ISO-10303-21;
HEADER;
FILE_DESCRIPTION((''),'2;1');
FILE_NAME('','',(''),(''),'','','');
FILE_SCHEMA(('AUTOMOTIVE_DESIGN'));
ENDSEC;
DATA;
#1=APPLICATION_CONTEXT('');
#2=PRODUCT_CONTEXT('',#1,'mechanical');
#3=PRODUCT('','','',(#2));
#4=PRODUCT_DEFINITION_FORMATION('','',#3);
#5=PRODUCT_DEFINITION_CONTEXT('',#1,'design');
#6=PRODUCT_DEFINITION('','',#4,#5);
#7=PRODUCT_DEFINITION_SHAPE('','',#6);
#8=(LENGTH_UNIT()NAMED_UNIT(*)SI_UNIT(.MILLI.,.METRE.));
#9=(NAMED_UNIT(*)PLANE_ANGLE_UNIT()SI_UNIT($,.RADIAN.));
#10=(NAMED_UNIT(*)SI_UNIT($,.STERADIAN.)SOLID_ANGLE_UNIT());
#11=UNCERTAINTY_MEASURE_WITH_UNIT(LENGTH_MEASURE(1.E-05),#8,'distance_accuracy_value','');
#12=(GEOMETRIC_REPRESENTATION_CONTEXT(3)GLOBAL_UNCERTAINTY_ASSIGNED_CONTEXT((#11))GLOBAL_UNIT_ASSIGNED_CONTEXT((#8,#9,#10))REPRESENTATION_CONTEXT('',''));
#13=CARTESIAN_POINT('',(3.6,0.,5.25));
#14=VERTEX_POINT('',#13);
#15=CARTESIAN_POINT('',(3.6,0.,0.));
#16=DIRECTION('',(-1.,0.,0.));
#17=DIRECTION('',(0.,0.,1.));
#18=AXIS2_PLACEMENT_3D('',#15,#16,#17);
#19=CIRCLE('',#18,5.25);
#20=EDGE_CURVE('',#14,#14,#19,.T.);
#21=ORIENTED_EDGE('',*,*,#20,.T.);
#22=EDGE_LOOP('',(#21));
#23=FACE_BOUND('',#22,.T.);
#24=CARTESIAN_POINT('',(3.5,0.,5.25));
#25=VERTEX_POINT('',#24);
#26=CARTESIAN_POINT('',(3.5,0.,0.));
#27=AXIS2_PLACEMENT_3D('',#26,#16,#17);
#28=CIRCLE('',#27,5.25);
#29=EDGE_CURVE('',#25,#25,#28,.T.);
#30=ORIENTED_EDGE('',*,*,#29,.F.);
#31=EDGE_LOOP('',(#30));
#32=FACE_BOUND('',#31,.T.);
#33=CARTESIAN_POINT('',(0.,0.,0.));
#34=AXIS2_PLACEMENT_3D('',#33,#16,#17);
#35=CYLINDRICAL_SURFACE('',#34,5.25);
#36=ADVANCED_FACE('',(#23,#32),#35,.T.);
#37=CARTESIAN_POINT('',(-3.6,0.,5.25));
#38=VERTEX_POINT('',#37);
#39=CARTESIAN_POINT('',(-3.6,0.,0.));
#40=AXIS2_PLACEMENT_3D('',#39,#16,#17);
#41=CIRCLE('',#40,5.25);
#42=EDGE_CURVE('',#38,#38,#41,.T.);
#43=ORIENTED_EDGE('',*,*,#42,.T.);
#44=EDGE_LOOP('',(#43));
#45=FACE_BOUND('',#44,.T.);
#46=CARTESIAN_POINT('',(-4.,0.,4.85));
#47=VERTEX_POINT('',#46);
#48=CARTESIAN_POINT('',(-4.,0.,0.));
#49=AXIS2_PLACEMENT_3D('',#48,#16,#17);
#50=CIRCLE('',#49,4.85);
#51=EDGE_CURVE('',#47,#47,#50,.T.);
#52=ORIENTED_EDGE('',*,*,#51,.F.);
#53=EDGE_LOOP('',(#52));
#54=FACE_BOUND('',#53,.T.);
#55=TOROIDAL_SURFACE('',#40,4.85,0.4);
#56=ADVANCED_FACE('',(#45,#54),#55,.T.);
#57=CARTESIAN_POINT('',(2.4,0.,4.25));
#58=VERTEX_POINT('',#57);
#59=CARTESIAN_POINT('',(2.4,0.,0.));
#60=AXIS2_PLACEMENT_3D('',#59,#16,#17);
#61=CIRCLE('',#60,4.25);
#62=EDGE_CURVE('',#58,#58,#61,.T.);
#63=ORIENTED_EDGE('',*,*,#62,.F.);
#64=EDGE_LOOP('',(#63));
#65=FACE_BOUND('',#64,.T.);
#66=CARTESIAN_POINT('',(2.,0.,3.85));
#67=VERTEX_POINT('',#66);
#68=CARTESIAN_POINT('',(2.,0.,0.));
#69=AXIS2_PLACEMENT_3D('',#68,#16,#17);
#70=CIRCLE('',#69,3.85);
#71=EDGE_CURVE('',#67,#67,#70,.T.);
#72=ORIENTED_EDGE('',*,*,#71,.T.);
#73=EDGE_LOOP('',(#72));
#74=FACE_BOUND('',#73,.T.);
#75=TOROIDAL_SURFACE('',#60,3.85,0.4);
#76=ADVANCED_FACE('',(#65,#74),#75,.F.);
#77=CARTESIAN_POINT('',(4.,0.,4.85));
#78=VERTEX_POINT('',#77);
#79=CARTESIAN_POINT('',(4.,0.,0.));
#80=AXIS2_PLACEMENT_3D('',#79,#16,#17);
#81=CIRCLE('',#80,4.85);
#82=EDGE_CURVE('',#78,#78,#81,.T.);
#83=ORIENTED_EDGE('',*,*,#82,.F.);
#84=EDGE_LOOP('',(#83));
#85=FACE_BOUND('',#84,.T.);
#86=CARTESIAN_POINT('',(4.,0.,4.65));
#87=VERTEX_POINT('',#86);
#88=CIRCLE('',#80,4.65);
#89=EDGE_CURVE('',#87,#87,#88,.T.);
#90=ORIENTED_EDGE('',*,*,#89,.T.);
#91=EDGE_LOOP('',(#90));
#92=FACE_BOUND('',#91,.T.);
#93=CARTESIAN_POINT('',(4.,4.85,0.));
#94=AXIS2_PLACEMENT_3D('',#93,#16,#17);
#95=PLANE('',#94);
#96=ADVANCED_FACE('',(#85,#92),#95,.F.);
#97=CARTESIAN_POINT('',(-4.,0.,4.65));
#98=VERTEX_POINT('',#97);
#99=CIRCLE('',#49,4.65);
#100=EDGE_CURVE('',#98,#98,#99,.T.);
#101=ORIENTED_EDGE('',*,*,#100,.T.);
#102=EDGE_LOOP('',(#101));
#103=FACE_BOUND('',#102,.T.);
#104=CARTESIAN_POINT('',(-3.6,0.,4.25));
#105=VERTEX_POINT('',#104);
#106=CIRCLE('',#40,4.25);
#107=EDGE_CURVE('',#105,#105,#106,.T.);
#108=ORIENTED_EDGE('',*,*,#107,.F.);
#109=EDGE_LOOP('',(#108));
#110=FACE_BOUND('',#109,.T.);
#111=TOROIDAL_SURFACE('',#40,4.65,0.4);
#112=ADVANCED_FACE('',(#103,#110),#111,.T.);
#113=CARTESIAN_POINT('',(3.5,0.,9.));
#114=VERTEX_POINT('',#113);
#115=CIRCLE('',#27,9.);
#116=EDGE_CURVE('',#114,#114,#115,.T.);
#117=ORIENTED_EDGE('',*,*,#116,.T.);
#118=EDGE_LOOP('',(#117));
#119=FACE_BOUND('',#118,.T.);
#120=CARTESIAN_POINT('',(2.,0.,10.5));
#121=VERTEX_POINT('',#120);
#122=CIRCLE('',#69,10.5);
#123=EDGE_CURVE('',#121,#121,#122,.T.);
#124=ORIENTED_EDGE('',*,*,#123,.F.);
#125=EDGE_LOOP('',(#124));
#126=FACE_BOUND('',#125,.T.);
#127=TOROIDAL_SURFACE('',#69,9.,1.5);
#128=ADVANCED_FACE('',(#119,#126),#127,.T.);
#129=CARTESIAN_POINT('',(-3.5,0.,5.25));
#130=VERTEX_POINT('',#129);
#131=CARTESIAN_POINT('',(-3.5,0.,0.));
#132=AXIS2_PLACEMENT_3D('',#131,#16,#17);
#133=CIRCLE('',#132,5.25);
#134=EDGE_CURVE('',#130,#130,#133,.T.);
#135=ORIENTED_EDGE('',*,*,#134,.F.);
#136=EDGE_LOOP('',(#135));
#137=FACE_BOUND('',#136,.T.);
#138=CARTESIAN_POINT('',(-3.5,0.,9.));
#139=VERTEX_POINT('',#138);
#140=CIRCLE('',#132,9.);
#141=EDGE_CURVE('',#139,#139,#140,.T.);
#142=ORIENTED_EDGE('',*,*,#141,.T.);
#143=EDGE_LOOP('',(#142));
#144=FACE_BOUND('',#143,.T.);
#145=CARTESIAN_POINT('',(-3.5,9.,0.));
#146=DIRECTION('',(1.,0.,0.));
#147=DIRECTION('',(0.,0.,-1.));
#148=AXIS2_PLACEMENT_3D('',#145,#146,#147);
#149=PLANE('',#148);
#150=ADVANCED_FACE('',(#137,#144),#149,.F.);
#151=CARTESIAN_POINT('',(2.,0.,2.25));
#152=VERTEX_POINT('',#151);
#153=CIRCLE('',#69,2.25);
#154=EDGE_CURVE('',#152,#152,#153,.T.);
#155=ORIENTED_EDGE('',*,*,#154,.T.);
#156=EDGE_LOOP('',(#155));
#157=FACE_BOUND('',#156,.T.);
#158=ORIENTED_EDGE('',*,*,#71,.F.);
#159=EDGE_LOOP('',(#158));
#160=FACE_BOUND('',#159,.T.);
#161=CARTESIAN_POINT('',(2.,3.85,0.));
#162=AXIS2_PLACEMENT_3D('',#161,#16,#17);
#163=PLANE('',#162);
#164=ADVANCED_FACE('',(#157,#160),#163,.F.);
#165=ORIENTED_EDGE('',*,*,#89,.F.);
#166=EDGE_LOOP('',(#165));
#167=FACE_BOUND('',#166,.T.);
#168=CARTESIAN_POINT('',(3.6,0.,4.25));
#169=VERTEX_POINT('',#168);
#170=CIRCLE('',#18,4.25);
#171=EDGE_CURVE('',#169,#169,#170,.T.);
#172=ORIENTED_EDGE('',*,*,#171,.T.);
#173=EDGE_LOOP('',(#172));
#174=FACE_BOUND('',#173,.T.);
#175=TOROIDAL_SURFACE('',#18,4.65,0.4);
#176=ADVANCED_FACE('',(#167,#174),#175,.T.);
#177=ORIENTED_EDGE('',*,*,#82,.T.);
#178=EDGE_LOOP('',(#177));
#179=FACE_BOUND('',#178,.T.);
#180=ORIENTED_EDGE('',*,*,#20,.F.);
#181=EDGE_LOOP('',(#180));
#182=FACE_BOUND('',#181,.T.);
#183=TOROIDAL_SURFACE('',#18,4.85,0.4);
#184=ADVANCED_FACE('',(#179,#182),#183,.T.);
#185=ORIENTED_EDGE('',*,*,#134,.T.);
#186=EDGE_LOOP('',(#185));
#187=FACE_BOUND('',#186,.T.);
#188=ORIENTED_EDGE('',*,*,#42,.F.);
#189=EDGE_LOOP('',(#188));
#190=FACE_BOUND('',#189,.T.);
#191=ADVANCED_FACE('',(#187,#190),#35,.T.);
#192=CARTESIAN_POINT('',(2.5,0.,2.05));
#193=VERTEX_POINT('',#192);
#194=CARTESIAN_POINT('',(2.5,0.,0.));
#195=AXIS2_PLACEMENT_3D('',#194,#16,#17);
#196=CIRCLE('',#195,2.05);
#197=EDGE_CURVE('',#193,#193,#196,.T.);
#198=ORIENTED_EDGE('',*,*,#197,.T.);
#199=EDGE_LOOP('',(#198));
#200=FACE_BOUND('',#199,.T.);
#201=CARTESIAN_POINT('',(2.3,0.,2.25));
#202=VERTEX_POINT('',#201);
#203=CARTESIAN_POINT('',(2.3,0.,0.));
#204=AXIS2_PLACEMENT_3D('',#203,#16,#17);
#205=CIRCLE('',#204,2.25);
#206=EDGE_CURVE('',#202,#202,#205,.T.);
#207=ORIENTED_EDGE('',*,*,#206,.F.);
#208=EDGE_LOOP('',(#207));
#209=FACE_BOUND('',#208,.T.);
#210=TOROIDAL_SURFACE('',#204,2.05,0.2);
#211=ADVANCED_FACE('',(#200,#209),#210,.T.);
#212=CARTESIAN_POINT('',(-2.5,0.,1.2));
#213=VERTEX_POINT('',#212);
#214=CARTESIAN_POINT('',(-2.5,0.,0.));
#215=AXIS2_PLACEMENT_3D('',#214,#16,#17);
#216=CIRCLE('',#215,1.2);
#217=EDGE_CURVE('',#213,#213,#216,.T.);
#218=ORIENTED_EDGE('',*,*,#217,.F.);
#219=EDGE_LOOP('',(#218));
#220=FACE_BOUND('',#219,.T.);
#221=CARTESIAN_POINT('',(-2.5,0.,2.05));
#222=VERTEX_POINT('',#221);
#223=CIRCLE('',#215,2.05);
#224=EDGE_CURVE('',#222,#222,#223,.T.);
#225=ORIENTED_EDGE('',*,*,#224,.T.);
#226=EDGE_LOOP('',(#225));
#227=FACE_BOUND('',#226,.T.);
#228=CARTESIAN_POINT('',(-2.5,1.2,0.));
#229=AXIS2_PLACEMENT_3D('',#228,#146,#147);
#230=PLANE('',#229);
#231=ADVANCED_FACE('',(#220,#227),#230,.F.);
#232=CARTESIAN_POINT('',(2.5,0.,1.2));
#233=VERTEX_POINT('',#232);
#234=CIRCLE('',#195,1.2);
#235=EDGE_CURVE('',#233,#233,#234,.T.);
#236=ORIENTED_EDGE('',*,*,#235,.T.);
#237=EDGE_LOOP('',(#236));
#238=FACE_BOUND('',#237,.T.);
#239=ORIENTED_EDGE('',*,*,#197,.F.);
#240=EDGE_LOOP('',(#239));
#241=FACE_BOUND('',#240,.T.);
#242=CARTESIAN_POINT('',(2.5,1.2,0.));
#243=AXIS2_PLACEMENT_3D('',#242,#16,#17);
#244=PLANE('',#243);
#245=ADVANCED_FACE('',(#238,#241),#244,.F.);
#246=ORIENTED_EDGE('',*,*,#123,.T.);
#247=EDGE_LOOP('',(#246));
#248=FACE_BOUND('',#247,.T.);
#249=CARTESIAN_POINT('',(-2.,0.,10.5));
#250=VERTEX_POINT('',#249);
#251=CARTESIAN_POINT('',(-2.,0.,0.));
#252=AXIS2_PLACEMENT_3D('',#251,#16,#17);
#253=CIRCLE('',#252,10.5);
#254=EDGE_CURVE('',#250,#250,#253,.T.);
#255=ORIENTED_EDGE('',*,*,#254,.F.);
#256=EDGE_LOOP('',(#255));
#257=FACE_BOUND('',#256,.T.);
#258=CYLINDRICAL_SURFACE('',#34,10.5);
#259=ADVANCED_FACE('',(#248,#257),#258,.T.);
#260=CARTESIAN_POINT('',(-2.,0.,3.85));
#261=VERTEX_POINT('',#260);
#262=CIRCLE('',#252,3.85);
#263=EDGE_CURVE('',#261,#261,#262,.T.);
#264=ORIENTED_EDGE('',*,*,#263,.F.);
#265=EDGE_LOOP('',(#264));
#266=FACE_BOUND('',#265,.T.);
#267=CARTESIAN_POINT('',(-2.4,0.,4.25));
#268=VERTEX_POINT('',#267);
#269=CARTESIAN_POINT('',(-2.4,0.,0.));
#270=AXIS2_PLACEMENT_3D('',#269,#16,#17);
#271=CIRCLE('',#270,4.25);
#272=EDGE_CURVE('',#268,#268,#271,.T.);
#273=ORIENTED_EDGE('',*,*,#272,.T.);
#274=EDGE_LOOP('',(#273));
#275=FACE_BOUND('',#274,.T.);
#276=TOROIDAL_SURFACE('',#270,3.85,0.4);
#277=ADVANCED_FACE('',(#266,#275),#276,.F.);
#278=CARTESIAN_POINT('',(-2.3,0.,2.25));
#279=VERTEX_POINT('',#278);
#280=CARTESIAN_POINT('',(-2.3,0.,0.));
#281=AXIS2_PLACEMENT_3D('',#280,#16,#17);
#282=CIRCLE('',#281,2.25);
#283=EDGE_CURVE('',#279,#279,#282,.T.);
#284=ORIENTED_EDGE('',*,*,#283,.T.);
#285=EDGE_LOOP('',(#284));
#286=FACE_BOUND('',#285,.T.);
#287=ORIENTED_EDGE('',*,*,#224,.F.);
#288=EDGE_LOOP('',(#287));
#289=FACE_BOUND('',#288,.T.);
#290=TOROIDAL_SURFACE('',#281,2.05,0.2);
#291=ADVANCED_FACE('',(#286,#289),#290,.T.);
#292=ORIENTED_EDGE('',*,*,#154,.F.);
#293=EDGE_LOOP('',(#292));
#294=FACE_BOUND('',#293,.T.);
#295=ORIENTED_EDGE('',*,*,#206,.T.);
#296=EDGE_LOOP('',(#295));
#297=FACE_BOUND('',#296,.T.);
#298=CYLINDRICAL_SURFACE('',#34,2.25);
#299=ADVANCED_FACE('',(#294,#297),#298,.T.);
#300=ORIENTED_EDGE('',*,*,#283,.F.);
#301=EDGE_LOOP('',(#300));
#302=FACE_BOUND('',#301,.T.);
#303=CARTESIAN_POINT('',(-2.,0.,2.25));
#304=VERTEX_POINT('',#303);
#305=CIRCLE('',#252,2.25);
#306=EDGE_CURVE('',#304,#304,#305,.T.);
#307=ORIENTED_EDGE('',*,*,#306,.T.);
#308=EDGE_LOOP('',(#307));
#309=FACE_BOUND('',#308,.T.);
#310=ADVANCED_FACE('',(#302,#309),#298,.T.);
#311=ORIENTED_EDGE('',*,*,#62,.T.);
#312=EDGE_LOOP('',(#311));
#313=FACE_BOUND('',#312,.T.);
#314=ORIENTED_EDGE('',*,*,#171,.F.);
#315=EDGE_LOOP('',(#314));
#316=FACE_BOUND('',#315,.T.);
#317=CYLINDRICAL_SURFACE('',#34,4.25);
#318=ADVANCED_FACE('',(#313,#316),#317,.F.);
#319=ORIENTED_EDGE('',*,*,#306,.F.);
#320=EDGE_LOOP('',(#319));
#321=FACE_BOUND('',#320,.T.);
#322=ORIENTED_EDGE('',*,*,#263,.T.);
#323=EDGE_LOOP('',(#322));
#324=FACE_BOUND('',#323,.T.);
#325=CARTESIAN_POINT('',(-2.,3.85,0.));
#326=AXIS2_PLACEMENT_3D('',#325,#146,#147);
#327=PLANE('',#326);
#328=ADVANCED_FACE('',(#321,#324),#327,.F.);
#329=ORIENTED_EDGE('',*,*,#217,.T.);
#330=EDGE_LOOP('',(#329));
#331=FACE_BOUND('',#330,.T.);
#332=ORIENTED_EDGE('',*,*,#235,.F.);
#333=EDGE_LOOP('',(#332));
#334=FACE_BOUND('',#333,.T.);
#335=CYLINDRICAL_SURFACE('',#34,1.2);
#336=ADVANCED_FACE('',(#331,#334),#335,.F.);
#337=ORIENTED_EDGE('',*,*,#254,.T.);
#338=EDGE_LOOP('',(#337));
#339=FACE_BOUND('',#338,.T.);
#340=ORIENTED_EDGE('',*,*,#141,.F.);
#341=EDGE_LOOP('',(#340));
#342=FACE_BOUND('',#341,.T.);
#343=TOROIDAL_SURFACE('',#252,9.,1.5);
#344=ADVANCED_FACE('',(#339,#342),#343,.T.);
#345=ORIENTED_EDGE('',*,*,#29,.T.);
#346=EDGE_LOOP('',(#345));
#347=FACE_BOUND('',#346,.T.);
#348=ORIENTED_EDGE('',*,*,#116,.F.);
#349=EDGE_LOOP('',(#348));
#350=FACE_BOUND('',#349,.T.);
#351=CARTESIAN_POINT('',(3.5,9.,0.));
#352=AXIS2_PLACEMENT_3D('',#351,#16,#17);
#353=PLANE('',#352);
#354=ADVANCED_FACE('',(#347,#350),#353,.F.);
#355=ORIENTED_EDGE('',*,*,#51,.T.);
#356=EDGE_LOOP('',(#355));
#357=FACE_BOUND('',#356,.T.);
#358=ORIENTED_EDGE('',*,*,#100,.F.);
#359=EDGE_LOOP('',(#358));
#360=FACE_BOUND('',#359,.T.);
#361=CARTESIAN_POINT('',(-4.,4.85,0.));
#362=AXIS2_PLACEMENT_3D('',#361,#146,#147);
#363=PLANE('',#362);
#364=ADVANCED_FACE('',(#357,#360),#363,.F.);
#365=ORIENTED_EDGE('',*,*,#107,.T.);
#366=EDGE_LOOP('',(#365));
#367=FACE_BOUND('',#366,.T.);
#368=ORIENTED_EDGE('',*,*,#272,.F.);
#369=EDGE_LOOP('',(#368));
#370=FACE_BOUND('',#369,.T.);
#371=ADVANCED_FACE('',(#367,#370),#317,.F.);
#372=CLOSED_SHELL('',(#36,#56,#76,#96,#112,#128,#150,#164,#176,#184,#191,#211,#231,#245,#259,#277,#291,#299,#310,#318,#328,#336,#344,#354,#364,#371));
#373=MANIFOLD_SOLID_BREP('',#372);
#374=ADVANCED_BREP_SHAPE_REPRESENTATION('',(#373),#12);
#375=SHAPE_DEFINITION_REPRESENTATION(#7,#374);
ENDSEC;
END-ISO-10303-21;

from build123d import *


with BuildPart() as part:
    # Esboço6 → Revolução2 (revolve)
    with BuildSketch(Plane.XY, mode=Mode.PRIVATE) as revolu_o2_sk:
        with BuildLine():
            Line((2.5, 1.2), (2.5, 2.05))
            ThreePointArc((2.5, 2.05), (2.441421356, 2.191421356), (2.3, 2.25))
            Line((2.3, 2.25), (2, 2.25))
            Line((2, 2.25), (2, 3.85))
            ThreePointArc((2, 3.85), (2.117157288, 4.132842712), (2.4, 4.25))
            Line((2.4, 4.25), (3.6, 4.25))
            ThreePointArc((3.6, 4.25), (3.882842712, 4.367157288), (4, 4.65))
            Line((4, 4.65), (4, 4.85))
            ThreePointArc((4, 4.85), (3.882842712, 5.132842712), (3.6, 5.25))
            Line((3.6, 5.25), (3.5, 5.25))
            Line((3.5, 5.25), (3.5, 9))
            ThreePointArc((3.5, 9), (3.060660172, 10.060660172), (2, 10.5))
            Line((2, 10.5), (-2, 10.5))
            ThreePointArc((-2, 10.5), (-3.060660172, 10.060660172), (-3.5, 9))
            Line((-3.5, 9), (-3.5, 5.25))
            Line((-3.5, 5.25), (-3.6, 5.25))
            ThreePointArc((-3.6, 5.25), (-3.882842712, 5.132842712), (-4, 4.85))
            Line((-4, 4.85), (-4, 4.65))
            ThreePointArc((-4, 4.65), (-3.882842712, 4.367157288), (-3.6, 4.25))
            Line((-3.6, 4.25), (-2.4, 4.25))
            ThreePointArc((-2.4, 4.25), (-2.117157288, 4.132842712), (-2, 3.85))
            Line((-2, 3.85), (-2, 2.25))
            Line((-2, 2.25), (-2.3, 2.25))
            ThreePointArc((-2.3, 2.25), (-2.441421356, 2.191421356), (-2.5, 2.05))
            Line((-2.5, 2.05), (-2.5, 1.2))
            Line((-2.5, 1.2), (2.5, 1.2))
        make_face()
    revolve(revolu_o2_sk.sketch.rotate(Axis((0, 0, 0), (1, 0, 0)), 90), axis=Axis((0, 0, 0), (1, 0, 0)))


solid = part.part
